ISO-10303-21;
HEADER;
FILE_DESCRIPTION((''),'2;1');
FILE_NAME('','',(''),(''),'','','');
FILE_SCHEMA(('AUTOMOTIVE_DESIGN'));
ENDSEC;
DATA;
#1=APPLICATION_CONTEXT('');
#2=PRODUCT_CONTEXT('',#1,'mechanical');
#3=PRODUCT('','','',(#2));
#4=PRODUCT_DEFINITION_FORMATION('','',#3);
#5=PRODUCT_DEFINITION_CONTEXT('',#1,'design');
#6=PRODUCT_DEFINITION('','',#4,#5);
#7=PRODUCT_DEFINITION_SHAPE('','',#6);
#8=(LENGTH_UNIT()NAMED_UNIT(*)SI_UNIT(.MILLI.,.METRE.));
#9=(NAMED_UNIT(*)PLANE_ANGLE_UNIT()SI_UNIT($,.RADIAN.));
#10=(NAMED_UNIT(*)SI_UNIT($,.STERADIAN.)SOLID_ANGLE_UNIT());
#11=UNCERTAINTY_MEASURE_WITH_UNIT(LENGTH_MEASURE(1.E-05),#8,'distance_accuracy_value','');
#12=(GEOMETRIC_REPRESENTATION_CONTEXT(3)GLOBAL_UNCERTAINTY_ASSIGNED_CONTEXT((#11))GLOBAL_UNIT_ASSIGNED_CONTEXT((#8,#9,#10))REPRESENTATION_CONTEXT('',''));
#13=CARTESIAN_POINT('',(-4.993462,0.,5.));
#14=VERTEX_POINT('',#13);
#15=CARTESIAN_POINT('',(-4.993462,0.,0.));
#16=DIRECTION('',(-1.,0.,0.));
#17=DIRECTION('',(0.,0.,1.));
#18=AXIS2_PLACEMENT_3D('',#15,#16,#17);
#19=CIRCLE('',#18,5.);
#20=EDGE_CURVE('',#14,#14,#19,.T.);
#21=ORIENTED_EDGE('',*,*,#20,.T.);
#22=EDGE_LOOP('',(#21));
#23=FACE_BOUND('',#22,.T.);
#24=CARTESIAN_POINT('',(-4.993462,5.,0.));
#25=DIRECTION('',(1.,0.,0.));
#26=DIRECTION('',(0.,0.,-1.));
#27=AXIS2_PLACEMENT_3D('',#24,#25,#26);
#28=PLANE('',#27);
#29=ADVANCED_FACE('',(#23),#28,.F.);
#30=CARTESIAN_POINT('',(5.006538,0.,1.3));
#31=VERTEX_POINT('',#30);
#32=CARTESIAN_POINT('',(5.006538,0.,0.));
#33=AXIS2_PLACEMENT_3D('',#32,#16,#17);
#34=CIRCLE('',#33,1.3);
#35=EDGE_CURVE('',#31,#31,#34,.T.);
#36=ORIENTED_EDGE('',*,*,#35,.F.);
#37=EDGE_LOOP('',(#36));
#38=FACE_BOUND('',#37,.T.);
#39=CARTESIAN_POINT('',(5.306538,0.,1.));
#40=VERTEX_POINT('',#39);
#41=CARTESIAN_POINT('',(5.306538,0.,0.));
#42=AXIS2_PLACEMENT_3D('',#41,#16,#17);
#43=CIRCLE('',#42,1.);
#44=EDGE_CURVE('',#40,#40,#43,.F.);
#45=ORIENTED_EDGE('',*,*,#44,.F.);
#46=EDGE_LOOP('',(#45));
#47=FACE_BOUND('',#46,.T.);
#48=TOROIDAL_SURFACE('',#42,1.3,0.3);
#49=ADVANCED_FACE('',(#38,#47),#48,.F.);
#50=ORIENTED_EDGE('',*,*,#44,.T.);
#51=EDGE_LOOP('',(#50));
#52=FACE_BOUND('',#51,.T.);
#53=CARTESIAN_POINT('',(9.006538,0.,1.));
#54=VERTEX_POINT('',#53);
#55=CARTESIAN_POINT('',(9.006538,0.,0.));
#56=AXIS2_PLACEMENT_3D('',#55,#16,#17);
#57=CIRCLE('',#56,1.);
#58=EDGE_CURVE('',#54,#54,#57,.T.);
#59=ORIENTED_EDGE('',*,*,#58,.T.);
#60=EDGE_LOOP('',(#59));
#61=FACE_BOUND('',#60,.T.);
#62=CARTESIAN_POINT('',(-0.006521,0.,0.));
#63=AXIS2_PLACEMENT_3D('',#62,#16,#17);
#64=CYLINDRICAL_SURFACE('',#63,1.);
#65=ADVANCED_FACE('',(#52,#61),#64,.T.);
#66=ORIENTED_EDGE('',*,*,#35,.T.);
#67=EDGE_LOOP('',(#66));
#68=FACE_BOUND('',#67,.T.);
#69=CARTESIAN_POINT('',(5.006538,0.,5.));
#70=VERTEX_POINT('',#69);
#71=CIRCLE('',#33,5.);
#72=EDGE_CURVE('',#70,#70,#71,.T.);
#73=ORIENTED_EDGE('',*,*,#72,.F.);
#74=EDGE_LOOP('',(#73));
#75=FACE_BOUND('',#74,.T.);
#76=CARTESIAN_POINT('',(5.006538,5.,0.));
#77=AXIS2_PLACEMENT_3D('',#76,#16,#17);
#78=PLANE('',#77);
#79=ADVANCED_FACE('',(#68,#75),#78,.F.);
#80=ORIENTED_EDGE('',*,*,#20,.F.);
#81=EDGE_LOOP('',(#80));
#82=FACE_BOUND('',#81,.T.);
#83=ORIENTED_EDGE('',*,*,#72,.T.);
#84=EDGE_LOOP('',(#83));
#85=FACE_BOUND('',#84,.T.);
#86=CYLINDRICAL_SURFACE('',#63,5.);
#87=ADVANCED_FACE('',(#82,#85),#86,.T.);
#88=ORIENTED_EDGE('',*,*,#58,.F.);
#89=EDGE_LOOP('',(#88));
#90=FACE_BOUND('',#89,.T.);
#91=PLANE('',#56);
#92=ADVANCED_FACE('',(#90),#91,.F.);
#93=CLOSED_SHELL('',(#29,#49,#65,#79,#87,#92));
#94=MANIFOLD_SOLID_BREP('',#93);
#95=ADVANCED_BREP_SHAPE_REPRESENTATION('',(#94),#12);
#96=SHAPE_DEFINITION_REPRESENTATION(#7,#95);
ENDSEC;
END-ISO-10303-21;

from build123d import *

# Parameters (mm, degrees)
VERRUNDUNG1_R = 0.3


with BuildPart() as part:
    # Skizze1 → Rotation1 (revolve)
    with BuildSketch(Plane.XY, mode=Mode.PRIVATE) as rotation1_sk:
        Polygon((-4.9934616, 5), (5.0065384, 5), (5.0065384, 1), (9.0065384, 1), (9.0065384, 0), (4.980418956, 0), (-4.9934616, 0), align=None)
    revolve(rotation1_sk.sketch.rotate(Axis((-0.006521322, 0, 0), (1, 0, 0)), 90), axis=Axis((-0.006521322, 0, 0), (1, 0, 0)))

    # Verrundung1
    verrundung1_edges = [part.edges().sort_by_distance(p)[0] for p in [
        (5.0065384, 0, -1),
    ]]
    fillet(verrundung1_edges, radius=VERRUNDUNG1_R)


solid = part.part
